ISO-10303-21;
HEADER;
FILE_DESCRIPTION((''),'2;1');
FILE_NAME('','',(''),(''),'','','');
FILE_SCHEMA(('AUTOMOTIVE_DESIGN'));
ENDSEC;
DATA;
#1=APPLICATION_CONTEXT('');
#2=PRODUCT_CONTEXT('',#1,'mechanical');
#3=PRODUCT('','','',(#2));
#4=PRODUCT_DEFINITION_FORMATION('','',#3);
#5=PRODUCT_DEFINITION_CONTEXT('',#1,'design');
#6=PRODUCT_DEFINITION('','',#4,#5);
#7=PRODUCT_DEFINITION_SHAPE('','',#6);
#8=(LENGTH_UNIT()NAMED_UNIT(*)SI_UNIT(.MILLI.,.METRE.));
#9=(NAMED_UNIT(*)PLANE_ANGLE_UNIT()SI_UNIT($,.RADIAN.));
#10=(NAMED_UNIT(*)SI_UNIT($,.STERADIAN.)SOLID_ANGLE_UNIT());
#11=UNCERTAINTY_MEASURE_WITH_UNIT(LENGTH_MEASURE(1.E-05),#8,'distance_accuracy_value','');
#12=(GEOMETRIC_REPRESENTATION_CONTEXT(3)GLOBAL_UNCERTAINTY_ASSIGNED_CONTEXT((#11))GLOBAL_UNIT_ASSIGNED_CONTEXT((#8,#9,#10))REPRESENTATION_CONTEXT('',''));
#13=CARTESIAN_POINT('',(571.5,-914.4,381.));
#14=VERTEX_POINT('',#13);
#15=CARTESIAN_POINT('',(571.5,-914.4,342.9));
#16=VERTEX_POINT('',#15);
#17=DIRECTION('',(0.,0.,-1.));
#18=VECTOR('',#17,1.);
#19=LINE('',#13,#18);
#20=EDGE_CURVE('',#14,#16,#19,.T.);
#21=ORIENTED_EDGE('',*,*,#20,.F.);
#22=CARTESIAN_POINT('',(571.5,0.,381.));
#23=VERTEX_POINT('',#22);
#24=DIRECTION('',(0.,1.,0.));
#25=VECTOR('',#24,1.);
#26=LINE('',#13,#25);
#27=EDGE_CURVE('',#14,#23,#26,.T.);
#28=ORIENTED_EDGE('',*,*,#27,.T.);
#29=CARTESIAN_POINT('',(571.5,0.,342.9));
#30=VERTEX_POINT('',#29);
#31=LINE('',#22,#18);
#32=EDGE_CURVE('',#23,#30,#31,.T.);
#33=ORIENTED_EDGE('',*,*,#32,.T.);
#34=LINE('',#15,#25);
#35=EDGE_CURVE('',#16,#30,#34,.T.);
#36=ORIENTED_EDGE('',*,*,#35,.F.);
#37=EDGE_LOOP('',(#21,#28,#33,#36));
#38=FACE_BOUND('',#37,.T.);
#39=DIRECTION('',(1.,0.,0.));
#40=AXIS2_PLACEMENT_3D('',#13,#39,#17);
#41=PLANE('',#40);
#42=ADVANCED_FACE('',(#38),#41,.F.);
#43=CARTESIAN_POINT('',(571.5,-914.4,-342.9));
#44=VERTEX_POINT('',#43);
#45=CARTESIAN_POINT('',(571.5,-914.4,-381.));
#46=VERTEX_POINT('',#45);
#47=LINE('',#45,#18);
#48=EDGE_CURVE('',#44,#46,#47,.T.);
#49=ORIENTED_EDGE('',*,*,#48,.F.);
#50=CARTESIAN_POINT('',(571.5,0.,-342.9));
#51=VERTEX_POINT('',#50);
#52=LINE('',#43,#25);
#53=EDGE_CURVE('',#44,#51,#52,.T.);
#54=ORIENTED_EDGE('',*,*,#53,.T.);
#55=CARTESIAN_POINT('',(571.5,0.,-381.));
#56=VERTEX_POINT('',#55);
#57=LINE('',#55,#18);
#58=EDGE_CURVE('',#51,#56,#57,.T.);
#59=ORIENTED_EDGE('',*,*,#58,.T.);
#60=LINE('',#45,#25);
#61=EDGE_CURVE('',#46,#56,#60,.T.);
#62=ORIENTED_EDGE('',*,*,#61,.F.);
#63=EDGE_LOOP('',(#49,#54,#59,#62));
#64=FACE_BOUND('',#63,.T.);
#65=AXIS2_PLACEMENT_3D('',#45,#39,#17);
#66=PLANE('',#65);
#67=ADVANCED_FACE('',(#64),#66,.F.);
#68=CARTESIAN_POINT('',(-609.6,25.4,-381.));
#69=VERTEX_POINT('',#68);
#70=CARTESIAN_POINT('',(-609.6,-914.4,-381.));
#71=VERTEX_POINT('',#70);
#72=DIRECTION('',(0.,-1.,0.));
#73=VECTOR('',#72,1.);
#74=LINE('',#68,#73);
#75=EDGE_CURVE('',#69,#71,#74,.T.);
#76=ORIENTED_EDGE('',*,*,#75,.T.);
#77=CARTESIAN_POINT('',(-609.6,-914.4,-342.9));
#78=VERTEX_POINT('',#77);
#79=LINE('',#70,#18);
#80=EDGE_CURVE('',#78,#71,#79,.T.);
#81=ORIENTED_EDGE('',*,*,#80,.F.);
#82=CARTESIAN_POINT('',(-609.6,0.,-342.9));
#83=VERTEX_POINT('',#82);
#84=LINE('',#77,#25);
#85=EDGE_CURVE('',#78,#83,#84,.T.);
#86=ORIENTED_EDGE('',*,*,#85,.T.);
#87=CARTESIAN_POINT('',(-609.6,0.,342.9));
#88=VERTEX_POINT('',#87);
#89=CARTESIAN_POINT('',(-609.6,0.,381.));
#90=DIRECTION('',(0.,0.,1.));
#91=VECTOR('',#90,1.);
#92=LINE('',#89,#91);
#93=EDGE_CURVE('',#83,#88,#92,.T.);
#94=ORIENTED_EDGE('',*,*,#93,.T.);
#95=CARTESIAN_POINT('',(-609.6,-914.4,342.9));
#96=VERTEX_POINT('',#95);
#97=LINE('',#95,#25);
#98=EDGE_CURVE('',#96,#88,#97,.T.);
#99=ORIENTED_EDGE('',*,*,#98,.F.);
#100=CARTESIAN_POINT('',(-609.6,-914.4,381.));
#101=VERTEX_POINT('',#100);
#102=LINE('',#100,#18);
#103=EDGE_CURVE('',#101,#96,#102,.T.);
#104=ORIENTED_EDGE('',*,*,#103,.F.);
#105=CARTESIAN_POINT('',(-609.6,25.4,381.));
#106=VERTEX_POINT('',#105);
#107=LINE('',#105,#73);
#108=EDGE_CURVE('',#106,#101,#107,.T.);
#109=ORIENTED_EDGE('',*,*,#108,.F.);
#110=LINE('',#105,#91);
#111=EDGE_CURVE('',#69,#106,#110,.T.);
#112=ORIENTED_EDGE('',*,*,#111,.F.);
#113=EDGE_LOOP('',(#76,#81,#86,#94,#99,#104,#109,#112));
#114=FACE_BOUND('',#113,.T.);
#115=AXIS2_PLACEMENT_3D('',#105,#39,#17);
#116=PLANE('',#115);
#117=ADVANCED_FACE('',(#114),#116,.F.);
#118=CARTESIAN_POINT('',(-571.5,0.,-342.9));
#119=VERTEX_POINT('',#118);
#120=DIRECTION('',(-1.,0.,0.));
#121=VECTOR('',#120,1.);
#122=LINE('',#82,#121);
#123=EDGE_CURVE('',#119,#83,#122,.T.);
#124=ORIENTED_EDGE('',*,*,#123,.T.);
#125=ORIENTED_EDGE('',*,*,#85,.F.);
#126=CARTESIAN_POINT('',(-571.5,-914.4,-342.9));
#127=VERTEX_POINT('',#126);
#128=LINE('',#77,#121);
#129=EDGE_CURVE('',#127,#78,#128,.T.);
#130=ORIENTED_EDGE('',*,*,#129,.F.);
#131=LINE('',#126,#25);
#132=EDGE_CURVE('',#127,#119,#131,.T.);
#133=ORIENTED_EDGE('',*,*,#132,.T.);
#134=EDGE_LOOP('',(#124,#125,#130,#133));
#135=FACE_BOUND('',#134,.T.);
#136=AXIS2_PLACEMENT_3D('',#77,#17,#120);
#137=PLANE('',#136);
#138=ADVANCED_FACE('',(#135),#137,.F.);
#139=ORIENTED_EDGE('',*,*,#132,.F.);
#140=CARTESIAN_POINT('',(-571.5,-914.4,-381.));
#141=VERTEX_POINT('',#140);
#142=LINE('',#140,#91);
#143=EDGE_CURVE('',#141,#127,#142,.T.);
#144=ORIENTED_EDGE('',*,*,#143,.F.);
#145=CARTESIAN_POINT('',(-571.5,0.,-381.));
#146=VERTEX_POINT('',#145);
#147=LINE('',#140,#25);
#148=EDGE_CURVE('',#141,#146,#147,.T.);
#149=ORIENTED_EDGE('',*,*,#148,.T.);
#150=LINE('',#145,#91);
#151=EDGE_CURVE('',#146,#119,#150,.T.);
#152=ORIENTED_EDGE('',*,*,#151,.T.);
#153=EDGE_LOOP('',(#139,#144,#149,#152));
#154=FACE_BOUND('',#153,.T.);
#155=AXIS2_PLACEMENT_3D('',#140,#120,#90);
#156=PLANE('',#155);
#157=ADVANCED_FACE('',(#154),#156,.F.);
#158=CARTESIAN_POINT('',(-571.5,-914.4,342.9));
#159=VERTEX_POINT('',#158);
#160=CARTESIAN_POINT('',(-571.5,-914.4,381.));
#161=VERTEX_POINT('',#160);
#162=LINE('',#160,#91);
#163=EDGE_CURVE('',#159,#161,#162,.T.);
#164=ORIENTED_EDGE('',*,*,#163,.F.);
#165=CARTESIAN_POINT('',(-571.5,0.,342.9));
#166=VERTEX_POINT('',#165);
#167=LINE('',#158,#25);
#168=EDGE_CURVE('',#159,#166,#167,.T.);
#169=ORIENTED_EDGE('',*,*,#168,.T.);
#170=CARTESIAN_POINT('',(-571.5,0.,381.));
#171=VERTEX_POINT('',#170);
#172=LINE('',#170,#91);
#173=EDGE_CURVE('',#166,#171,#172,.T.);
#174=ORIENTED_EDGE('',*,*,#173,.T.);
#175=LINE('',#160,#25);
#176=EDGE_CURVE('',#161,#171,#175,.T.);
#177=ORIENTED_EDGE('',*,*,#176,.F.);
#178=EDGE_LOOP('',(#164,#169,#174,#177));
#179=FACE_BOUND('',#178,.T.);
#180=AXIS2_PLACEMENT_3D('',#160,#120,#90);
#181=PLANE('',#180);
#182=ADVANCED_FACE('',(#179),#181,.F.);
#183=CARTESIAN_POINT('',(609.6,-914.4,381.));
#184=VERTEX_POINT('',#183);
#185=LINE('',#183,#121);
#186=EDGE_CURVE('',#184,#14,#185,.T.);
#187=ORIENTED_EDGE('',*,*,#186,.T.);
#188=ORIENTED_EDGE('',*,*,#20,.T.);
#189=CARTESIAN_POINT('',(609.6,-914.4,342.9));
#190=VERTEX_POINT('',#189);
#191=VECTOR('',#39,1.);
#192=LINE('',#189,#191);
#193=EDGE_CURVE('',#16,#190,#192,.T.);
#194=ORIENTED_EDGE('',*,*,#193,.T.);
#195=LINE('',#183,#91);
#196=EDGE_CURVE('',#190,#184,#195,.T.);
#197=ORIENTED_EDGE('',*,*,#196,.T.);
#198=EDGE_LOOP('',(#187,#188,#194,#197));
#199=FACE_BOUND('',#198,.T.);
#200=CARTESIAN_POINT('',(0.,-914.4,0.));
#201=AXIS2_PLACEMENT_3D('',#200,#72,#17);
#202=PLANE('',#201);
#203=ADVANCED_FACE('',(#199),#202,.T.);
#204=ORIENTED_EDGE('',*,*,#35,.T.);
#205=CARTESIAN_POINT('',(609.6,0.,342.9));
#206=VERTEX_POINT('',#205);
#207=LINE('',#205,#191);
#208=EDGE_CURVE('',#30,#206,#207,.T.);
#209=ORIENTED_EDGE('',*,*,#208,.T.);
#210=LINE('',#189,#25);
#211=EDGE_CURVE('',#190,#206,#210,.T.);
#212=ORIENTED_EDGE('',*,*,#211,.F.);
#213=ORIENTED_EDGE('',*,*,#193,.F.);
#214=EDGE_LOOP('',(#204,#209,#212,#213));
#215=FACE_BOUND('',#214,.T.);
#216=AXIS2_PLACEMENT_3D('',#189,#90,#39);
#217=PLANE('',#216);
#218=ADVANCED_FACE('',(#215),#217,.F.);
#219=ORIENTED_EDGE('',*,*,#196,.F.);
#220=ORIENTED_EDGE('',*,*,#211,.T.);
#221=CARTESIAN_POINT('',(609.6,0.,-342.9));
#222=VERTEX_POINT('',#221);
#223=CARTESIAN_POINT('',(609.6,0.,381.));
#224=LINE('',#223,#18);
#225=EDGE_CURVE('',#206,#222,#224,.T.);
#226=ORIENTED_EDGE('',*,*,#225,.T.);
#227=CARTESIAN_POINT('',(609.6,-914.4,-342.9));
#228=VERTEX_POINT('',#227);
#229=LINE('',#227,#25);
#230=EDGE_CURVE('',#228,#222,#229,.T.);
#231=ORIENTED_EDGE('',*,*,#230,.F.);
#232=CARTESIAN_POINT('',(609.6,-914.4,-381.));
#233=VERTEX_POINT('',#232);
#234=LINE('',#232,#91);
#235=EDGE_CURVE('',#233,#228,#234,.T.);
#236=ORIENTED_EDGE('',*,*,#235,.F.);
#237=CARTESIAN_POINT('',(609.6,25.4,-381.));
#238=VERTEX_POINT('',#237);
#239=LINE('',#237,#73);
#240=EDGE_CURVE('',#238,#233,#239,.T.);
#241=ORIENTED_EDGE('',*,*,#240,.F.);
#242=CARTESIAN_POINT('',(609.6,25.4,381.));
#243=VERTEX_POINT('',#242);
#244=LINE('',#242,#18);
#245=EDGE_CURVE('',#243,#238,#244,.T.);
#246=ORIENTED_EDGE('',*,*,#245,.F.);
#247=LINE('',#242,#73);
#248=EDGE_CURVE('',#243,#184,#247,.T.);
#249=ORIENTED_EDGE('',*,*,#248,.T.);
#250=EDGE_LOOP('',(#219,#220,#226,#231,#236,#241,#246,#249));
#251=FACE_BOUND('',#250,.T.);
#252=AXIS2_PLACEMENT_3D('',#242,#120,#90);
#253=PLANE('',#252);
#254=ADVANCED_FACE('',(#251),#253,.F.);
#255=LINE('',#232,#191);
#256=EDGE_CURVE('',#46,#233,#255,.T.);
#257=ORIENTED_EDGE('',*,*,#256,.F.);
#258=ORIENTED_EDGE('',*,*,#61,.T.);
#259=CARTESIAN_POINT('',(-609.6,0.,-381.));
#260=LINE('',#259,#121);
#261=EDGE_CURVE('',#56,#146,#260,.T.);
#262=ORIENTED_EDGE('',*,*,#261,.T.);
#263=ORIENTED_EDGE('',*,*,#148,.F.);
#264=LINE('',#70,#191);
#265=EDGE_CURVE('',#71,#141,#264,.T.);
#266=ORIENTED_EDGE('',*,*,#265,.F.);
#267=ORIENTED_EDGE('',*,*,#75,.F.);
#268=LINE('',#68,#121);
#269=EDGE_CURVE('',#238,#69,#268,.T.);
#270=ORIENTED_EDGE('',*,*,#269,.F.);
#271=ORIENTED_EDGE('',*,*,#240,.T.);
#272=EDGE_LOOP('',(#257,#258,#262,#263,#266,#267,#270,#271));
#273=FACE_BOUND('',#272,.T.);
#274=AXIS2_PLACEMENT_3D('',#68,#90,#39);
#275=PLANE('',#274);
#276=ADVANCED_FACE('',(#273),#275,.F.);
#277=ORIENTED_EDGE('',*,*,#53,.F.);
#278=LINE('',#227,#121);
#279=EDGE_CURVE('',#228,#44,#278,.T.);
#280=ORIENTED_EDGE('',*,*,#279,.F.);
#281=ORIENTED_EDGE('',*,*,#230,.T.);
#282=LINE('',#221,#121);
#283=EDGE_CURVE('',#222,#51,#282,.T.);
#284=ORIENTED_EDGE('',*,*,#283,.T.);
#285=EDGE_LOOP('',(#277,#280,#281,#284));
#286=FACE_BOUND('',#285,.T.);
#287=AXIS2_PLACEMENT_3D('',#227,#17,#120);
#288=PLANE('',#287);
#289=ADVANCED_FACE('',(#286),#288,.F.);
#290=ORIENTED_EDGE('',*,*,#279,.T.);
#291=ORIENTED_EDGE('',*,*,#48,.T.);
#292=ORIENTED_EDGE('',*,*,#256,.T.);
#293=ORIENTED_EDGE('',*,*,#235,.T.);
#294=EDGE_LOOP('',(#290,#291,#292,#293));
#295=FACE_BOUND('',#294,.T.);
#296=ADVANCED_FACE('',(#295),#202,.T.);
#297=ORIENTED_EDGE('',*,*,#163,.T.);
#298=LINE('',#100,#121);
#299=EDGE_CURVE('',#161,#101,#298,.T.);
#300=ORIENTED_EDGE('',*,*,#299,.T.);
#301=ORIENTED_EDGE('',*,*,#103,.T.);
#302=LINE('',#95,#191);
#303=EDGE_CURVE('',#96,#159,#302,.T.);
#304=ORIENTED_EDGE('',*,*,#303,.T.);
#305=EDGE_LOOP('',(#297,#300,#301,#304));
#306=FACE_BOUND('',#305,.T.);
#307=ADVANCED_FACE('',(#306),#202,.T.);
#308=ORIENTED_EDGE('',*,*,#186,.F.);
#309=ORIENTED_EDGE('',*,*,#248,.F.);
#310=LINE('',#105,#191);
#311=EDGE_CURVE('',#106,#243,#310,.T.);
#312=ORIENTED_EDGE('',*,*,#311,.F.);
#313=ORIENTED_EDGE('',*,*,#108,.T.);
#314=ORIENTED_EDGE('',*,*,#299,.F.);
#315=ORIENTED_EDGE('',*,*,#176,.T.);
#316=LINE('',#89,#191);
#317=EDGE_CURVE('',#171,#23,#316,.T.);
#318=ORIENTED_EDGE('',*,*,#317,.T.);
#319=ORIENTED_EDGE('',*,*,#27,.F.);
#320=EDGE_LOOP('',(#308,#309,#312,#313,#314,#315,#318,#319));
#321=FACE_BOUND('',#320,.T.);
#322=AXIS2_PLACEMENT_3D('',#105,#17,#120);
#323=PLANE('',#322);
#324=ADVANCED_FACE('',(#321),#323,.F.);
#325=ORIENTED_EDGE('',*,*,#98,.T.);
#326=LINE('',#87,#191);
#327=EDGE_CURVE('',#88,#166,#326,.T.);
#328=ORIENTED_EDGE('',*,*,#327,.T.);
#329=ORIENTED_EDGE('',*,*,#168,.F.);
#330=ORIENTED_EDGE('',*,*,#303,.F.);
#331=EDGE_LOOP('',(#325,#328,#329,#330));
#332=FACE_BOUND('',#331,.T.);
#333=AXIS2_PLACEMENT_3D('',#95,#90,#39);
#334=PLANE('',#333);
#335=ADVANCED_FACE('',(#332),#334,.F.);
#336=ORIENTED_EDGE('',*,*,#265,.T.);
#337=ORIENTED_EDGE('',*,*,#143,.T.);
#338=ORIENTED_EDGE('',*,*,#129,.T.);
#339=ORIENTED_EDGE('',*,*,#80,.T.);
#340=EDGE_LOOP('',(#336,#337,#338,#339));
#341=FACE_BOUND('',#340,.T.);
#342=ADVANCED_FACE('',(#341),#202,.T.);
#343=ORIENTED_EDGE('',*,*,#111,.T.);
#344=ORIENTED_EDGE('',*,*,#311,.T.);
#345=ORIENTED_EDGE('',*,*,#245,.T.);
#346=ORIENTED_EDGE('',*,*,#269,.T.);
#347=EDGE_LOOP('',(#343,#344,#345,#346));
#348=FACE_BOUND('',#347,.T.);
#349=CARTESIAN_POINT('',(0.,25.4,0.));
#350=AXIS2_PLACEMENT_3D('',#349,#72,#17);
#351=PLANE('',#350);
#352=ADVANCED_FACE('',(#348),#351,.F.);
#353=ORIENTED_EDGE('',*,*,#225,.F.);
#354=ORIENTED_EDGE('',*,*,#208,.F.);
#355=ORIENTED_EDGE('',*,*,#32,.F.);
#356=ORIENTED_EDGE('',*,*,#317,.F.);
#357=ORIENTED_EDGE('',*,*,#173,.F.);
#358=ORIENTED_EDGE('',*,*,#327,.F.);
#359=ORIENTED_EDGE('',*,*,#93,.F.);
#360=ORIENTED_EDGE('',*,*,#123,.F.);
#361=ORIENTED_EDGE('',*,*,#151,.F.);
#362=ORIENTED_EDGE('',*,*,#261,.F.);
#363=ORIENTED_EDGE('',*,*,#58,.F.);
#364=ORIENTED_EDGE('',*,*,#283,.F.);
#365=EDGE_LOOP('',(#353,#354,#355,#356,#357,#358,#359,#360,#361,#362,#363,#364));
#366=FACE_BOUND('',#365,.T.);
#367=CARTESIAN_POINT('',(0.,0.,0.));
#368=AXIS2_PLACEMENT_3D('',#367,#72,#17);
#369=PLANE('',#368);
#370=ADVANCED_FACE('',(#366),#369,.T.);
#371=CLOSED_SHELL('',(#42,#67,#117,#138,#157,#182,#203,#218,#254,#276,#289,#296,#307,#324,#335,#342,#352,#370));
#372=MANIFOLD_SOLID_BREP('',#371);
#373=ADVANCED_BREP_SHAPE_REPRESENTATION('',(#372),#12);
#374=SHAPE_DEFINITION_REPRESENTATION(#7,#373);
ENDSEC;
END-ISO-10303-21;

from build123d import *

# Parameters (mm, degrees)
SKETCH1_W           = 1219.2
SKETCH1_H           = 762
BOSS_EXTRUDE1_DEPTH = 25.4
SKETCH3_W           = 38.1
SKETCH3_H           = 38.1
BOSS_EXTRUDE2_DEPTH = 914.4


with BuildPart() as part:
    # Sketch1 → Boss-Extrude1 (new body)
    with BuildSketch(Plane(origin=(0, 0, 0), x_dir=(1, 0, 0), z_dir=(0, 1, 0))):
        Rectangle(SKETCH1_W, SKETCH1_H)
    extrude(amount=BOSS_EXTRUDE1_DEPTH)

    # Sketch3 → Boss-Extrude2 (add)
    with BuildSketch(Plane.XZ):
        with Locations((-590.55, 361.95)):
            Rectangle(SKETCH3_W, SKETCH3_H)
        with Locations((590.55, 361.95)):
            Rectangle(SKETCH3_W, SKETCH3_H)
        with Locations((590.55, -361.95)):
            Rectangle(SKETCH3_W, SKETCH3_H)
        with Locations((-590.55, -361.95)):
            Rectangle(SKETCH3_W, SKETCH3_H)
    extrude(amount=BOSS_EXTRUDE2_DEPTH)


solid = part.part
